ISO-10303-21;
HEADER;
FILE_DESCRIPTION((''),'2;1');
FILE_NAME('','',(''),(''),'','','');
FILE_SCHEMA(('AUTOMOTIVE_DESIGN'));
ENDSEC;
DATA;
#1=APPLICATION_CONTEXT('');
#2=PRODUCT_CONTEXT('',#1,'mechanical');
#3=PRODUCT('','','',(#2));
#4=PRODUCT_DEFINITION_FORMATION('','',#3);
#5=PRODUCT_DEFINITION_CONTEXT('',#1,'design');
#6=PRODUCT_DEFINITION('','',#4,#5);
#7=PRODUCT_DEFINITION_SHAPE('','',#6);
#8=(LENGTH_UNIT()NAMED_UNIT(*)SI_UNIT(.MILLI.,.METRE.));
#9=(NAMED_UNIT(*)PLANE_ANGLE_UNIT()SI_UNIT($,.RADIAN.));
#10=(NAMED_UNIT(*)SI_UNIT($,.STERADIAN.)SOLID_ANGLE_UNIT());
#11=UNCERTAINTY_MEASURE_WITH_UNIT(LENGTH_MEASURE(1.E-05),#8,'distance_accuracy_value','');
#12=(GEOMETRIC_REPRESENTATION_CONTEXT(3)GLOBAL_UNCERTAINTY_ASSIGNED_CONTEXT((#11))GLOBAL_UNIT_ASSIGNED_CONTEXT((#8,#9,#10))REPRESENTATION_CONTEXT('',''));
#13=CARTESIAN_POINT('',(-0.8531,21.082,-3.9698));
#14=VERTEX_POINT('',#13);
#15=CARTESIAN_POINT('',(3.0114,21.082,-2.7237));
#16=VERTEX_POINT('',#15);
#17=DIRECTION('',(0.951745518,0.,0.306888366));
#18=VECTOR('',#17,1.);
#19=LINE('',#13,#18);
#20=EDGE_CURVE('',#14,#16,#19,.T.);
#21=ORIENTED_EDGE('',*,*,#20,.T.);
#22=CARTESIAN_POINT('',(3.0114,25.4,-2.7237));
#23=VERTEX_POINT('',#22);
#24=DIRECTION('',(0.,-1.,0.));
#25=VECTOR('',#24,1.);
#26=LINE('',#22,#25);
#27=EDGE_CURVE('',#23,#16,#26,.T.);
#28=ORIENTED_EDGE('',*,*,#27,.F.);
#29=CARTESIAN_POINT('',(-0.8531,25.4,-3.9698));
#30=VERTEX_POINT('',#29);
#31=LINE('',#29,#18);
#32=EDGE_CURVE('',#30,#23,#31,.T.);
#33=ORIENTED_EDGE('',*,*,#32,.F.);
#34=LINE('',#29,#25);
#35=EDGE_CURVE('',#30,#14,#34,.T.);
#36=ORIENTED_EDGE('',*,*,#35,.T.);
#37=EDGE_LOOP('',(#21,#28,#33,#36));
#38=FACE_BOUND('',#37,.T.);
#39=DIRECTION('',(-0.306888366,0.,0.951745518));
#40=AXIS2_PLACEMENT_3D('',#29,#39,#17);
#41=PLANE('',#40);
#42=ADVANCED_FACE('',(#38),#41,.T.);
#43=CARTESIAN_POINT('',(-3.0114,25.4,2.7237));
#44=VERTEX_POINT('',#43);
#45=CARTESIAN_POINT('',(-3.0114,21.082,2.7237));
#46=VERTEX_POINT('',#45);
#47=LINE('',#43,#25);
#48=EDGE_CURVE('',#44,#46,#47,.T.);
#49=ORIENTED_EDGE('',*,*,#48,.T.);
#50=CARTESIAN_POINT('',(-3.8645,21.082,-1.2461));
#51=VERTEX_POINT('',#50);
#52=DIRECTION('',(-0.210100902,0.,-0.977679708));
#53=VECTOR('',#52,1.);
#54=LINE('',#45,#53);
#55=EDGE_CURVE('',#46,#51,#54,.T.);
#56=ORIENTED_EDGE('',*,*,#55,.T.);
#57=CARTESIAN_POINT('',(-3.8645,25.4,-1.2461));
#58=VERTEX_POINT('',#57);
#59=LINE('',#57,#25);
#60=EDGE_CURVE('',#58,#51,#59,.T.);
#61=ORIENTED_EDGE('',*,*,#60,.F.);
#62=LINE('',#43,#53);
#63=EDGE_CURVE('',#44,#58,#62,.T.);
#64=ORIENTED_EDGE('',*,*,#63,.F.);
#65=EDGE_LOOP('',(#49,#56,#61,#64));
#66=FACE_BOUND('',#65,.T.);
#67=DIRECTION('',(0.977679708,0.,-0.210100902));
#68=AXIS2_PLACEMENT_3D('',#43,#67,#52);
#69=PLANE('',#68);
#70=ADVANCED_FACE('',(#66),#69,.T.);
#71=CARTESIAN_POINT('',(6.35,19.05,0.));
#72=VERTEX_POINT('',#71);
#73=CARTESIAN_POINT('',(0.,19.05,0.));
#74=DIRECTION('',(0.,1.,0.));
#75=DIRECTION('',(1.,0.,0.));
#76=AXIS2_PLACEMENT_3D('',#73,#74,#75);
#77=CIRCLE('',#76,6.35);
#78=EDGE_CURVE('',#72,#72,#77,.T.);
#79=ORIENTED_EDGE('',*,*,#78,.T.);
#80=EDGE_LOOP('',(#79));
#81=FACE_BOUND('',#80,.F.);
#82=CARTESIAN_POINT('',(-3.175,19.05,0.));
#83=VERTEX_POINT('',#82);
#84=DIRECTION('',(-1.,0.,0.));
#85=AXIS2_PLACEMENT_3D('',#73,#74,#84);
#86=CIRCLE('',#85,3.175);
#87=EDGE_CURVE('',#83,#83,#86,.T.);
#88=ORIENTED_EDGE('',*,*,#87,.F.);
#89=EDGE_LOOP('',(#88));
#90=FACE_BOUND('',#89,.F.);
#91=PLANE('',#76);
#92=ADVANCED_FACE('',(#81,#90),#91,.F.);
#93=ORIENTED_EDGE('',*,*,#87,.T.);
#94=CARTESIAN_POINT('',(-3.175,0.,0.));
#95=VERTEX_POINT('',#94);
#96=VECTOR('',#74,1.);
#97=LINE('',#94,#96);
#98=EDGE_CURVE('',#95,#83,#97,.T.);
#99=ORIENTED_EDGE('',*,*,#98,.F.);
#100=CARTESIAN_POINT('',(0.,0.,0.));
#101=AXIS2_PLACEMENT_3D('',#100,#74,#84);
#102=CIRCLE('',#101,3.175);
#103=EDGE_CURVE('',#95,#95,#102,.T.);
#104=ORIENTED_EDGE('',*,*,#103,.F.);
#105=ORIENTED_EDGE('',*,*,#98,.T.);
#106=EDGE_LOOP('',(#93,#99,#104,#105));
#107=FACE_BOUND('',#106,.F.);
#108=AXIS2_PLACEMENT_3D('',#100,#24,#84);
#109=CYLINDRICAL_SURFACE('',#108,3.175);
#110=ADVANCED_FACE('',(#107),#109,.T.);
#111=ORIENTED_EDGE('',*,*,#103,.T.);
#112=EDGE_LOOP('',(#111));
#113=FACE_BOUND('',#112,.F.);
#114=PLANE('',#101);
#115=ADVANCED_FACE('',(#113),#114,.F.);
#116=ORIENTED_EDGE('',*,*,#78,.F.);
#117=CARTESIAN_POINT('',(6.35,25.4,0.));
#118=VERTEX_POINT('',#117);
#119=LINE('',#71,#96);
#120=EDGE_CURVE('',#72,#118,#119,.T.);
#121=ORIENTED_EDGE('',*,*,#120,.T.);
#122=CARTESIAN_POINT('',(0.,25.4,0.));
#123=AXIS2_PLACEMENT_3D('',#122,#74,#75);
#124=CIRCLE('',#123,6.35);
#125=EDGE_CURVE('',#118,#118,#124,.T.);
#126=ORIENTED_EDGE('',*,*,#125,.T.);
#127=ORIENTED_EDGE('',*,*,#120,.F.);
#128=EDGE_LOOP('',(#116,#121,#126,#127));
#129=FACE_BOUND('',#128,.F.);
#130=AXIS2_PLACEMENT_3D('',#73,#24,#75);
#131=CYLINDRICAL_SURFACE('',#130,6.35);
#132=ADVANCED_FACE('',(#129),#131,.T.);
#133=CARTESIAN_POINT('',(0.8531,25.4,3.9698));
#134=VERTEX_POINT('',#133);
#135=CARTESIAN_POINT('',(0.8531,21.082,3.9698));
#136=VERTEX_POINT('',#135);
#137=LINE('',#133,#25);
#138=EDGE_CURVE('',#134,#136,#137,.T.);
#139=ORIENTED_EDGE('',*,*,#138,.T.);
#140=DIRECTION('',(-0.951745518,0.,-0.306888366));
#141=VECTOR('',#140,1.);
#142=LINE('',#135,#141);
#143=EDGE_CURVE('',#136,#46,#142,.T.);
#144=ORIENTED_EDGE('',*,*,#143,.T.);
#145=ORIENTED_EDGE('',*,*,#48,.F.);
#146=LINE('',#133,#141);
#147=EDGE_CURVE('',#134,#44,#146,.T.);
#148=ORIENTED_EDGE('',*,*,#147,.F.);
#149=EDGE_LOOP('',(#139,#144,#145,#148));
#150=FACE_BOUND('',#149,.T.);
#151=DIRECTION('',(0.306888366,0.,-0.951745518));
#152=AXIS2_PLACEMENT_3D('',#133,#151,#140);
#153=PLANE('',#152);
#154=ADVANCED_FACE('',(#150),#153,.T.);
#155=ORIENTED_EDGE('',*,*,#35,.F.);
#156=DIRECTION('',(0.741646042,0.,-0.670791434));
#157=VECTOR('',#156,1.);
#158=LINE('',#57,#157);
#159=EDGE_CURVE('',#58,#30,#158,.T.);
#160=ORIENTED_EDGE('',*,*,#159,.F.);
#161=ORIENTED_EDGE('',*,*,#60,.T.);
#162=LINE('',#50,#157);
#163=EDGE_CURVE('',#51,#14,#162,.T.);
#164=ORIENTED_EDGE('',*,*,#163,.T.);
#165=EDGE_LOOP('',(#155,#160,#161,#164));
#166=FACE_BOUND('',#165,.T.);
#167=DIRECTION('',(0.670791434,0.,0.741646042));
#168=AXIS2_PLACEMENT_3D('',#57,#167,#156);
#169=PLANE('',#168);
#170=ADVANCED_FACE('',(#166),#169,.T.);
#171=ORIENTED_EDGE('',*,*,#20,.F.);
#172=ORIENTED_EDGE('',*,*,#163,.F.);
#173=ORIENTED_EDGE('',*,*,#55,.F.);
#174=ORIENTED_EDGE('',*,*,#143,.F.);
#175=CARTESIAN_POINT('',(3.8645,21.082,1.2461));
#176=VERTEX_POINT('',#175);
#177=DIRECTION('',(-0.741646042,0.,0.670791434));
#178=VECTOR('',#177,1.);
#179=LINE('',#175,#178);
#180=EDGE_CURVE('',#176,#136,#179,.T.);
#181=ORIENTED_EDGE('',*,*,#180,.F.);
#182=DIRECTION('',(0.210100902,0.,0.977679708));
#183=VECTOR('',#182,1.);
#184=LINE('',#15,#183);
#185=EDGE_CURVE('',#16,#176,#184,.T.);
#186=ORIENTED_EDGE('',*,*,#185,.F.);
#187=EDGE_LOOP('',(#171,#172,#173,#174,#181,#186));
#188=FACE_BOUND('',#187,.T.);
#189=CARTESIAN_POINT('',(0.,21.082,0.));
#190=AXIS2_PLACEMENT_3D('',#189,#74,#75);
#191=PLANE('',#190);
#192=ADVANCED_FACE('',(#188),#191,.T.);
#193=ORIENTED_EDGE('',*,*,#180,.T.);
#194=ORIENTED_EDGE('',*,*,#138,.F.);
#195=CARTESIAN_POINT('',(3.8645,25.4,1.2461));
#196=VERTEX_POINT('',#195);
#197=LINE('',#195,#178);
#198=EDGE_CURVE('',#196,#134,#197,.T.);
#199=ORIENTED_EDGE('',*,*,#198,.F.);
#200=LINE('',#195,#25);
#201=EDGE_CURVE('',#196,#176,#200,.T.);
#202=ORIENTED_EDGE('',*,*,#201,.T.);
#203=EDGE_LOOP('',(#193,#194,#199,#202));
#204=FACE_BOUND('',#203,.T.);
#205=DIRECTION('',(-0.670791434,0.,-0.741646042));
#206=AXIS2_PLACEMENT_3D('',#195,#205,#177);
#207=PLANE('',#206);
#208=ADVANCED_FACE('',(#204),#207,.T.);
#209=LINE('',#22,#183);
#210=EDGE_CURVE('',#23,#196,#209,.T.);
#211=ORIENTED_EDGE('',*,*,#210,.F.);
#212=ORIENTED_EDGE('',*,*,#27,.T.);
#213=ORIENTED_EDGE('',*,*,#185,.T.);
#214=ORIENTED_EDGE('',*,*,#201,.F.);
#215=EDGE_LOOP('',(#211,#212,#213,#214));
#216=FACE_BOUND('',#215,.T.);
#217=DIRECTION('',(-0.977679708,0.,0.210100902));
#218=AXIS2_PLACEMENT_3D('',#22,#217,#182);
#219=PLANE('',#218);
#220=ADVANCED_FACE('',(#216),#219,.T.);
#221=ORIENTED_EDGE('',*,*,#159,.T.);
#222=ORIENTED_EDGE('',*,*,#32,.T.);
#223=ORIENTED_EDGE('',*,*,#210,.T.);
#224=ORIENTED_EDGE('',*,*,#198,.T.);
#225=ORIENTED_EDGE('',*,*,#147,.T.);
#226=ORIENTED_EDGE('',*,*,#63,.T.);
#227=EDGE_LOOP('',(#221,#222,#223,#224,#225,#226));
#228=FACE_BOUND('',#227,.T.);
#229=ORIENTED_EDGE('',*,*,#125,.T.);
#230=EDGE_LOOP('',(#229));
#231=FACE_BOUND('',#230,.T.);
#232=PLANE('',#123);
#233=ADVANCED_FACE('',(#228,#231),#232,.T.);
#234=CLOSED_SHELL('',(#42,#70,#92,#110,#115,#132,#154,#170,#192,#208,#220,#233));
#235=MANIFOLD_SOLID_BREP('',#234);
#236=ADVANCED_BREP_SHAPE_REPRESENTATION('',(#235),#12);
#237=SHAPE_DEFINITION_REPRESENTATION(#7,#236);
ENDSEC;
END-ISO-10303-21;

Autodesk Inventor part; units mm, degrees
ref_plane "YZ Plane" through (0, 0, 0) normal (1, 0, 0) x (0, 1, 0)
ref_plane "XZ Plane" through (0, 0, 0) normal (0, 1, 0) x (-1, 0, 0)
ref_plane "XY Plane" through (0, 0, 0) normal (0, 0, 1) x (1, 0, 0)
sketch "Sketch1" plane through (0, 0, 0) normal (0, 1, 0) x (-1, 0, 0)
  circle A0 centre (0, 0) radius 3.175
  dimension "d2" = 6.35
extrude "Extrusion1" add sketch "Sketch1" along normal blind 19.05
thread "Thread1" size "1/4-20 UNC" class "2A" standard "ANSI Unified Screw Threads" full length
sketch "Sketch2" plane through (0, 19.05, 0) normal (0, 1, 0) x (1, 0, 0)
  circle A0 centre (0, 0) radius 6.35
  dimension "d7" = 12.7
extrude "Extrusion2" add sketch "Sketch2" along normal blind 6.35
sketch "Sketch3" plane through (0, 25.4, 0) normal (0, 1, 0) x (1, 0, 0)
  line L0 (3.0114, 2.7237) -> (3.8645, -1.2461)
  line L1 (3.8645, -1.2461) -> (0.8531, -3.9698)
  line L2 (0.8531, -3.9698) -> (-3.0114, -2.7237)
  line L3 (-3.0114, -2.7237) -> (-3.8645, 1.2461)
  line L4 (-3.8645, 1.2461) -> (-0.8531, 3.9698)
  line L5 (-0.8531, 3.9698) -> (3.0114, 2.7237)
  point P0 (0, 0)
  point P1 (0, 0)
extrude "Extrusion3" cut sketch "Sketch3" against normal blind 4.318
properties part number "qtr20_75"
